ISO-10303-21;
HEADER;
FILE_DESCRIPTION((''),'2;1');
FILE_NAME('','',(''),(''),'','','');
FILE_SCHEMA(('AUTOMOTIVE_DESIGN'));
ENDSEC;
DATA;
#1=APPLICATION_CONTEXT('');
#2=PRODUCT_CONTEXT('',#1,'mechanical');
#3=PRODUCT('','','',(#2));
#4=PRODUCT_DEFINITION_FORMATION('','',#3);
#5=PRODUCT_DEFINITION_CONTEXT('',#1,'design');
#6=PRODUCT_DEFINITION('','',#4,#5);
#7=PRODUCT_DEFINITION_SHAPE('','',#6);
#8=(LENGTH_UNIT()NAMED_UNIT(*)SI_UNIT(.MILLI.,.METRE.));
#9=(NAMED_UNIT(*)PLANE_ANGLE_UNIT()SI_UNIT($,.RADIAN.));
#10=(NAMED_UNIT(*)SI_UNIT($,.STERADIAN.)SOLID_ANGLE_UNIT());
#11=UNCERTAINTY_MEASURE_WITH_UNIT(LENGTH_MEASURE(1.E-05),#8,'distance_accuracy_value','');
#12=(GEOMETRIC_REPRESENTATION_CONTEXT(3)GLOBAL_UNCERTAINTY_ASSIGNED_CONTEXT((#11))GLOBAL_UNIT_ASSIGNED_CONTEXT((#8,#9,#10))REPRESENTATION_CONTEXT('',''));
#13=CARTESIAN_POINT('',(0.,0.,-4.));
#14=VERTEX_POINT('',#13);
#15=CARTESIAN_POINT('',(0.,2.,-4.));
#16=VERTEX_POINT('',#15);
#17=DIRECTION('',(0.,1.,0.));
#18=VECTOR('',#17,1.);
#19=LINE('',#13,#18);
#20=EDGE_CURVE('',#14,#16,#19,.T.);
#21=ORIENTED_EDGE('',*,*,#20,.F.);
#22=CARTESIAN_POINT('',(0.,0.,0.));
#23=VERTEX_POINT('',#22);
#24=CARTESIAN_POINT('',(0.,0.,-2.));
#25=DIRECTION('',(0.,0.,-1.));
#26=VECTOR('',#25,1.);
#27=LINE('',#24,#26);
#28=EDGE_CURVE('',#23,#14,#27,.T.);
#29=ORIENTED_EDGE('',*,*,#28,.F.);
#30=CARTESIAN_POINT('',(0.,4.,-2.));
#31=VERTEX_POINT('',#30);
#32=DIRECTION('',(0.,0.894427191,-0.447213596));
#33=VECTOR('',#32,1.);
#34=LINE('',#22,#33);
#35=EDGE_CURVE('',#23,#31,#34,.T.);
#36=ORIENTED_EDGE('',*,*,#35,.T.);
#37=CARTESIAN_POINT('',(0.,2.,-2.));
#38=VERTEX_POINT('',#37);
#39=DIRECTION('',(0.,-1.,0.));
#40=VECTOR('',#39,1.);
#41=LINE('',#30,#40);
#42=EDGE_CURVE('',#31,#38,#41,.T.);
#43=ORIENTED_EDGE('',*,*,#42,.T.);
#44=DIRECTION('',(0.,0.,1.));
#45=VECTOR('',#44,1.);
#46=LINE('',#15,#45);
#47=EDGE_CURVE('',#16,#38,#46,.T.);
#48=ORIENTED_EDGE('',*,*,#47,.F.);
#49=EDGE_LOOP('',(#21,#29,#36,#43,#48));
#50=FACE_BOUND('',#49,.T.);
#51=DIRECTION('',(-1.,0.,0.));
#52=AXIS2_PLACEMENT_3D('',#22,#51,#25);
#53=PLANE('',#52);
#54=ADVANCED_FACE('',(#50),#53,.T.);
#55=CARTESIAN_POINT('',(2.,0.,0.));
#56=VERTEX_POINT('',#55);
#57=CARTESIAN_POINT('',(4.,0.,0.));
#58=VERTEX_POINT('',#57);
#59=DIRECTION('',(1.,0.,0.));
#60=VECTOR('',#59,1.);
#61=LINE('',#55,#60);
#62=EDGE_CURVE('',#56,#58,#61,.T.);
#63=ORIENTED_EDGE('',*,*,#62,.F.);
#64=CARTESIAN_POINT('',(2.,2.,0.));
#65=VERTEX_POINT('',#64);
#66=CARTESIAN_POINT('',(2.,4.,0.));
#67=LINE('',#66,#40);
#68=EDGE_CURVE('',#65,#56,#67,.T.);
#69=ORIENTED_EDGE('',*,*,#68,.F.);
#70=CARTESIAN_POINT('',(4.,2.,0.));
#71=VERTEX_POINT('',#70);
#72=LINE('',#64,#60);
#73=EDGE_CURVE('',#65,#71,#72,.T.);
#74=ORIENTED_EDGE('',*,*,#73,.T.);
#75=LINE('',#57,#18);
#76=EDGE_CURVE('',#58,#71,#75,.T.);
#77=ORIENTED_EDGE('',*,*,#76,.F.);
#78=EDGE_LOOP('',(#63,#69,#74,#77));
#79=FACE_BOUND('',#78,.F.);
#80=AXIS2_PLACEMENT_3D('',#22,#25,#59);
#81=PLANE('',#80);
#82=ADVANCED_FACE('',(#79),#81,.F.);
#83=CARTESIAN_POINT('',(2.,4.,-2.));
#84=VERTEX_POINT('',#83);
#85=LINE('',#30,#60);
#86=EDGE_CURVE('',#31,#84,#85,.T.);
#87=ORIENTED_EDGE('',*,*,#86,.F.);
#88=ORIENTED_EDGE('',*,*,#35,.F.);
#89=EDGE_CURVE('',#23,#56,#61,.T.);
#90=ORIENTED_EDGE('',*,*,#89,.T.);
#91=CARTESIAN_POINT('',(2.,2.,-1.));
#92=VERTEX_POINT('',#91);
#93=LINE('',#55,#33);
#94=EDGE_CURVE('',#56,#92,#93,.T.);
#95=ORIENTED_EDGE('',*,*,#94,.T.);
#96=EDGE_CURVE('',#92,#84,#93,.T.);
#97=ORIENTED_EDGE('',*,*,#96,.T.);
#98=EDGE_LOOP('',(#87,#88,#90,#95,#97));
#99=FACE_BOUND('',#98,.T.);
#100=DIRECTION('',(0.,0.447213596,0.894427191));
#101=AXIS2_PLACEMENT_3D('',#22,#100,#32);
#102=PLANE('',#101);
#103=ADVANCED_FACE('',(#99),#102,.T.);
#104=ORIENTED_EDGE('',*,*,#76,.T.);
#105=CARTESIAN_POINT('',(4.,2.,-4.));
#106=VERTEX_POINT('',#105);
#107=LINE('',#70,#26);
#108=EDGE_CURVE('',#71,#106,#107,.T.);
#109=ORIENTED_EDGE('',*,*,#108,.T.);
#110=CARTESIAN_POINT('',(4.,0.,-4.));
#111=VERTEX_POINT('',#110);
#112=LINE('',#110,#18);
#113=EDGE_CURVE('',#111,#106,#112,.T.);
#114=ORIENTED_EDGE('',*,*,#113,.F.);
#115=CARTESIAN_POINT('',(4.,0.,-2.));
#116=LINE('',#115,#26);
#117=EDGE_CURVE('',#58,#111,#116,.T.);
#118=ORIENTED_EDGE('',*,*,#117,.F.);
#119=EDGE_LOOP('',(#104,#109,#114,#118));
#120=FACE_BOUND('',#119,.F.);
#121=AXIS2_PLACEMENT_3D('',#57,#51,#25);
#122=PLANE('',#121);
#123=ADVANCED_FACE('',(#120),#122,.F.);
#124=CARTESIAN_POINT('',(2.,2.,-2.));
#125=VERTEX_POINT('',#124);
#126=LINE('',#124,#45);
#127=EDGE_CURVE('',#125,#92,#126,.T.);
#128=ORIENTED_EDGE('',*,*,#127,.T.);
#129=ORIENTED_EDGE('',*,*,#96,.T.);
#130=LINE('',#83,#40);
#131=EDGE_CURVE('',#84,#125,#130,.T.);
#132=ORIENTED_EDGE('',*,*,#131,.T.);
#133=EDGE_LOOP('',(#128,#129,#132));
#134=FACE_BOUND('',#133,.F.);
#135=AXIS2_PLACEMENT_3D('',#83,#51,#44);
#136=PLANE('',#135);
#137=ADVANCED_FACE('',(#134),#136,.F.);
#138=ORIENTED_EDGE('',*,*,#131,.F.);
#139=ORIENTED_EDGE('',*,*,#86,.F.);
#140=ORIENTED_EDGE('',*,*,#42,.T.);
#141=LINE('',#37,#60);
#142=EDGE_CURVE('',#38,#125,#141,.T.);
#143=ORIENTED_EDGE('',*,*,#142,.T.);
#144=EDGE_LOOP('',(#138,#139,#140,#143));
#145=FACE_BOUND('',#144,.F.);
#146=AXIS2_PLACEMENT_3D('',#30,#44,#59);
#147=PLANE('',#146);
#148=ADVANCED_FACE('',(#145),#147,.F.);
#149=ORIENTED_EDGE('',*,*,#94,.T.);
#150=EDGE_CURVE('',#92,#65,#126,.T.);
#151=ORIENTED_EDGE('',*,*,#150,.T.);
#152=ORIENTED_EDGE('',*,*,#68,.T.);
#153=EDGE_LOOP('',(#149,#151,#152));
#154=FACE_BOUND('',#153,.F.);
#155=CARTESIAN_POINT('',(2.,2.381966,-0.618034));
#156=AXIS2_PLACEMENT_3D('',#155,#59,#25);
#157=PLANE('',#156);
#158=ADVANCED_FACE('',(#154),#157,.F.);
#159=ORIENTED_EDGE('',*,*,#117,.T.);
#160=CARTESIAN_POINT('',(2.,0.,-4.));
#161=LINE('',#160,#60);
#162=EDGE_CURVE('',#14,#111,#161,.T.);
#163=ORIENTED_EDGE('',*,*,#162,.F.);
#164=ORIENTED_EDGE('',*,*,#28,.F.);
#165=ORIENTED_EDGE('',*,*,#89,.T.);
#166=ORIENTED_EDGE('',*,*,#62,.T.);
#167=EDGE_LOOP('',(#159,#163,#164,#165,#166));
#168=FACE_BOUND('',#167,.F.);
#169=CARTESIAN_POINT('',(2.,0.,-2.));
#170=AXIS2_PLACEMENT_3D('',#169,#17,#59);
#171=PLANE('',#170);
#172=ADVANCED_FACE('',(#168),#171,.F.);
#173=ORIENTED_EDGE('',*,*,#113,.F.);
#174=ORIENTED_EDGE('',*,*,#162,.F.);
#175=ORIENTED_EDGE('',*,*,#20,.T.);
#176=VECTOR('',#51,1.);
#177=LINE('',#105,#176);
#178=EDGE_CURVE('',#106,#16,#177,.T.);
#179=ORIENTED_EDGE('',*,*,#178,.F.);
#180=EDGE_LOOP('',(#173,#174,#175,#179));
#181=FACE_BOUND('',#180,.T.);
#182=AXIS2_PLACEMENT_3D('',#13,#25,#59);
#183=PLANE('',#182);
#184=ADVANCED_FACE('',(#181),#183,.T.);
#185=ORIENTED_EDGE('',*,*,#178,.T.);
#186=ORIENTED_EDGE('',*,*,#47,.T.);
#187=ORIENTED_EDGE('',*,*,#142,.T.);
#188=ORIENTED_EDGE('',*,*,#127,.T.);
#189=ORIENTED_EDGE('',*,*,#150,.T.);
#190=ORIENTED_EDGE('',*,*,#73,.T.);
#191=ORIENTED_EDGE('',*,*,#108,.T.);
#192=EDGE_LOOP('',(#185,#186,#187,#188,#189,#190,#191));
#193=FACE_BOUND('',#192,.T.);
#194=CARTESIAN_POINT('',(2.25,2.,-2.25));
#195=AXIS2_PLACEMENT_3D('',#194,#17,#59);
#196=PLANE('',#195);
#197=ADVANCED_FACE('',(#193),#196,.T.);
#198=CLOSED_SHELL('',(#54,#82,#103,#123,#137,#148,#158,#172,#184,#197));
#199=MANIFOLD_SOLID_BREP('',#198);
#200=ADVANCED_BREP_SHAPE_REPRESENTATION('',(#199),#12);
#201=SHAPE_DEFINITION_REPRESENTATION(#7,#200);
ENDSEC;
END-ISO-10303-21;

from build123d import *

# Parameters (mm, degrees)
SKETCH1_W           = 4
SKETCH1_H           = 4
BOSS_EXTRUDE1_DEPTH = 4
CUT_EXTRUDE1_DEPTH  = 2
CUT_EXTRUDE2_DEPTH  = 2


with BuildPart() as part:
    # Sketch1 → Boss-Extrude1 (new body)
    with BuildSketch(Plane(origin=(0, 0, 0), x_dir=(1, 0, 0), z_dir=(0, 1, 0))):
        with Locations((2, 2)):
            Rectangle(SKETCH1_W, SKETCH1_H)
    extrude(amount=BOSS_EXTRUDE1_DEPTH)

    # Sketch2 → Cut-Extrude1 (cut)
    with BuildSketch(Plane(origin=(0, 4, 0), x_dir=(1, 0, 0), z_dir=(0, 1, 0))):
        Polygon((0, 4), (0, 2), (2, 2), (2, 0), (4, 0), (4, 4), align=None)
    extrude(amount=-CUT_EXTRUDE1_DEPTH, mode=Mode.SUBTRACT)

    # Sketch3 → Cut-Extrude2 (cut)
    with BuildSketch(Plane.ZY):
        Polygon((0, 0), (-2, 4), (0, 4), align=None)
    extrude(amount=-CUT_EXTRUDE2_DEPTH, mode=Mode.SUBTRACT)


solid = part.part
